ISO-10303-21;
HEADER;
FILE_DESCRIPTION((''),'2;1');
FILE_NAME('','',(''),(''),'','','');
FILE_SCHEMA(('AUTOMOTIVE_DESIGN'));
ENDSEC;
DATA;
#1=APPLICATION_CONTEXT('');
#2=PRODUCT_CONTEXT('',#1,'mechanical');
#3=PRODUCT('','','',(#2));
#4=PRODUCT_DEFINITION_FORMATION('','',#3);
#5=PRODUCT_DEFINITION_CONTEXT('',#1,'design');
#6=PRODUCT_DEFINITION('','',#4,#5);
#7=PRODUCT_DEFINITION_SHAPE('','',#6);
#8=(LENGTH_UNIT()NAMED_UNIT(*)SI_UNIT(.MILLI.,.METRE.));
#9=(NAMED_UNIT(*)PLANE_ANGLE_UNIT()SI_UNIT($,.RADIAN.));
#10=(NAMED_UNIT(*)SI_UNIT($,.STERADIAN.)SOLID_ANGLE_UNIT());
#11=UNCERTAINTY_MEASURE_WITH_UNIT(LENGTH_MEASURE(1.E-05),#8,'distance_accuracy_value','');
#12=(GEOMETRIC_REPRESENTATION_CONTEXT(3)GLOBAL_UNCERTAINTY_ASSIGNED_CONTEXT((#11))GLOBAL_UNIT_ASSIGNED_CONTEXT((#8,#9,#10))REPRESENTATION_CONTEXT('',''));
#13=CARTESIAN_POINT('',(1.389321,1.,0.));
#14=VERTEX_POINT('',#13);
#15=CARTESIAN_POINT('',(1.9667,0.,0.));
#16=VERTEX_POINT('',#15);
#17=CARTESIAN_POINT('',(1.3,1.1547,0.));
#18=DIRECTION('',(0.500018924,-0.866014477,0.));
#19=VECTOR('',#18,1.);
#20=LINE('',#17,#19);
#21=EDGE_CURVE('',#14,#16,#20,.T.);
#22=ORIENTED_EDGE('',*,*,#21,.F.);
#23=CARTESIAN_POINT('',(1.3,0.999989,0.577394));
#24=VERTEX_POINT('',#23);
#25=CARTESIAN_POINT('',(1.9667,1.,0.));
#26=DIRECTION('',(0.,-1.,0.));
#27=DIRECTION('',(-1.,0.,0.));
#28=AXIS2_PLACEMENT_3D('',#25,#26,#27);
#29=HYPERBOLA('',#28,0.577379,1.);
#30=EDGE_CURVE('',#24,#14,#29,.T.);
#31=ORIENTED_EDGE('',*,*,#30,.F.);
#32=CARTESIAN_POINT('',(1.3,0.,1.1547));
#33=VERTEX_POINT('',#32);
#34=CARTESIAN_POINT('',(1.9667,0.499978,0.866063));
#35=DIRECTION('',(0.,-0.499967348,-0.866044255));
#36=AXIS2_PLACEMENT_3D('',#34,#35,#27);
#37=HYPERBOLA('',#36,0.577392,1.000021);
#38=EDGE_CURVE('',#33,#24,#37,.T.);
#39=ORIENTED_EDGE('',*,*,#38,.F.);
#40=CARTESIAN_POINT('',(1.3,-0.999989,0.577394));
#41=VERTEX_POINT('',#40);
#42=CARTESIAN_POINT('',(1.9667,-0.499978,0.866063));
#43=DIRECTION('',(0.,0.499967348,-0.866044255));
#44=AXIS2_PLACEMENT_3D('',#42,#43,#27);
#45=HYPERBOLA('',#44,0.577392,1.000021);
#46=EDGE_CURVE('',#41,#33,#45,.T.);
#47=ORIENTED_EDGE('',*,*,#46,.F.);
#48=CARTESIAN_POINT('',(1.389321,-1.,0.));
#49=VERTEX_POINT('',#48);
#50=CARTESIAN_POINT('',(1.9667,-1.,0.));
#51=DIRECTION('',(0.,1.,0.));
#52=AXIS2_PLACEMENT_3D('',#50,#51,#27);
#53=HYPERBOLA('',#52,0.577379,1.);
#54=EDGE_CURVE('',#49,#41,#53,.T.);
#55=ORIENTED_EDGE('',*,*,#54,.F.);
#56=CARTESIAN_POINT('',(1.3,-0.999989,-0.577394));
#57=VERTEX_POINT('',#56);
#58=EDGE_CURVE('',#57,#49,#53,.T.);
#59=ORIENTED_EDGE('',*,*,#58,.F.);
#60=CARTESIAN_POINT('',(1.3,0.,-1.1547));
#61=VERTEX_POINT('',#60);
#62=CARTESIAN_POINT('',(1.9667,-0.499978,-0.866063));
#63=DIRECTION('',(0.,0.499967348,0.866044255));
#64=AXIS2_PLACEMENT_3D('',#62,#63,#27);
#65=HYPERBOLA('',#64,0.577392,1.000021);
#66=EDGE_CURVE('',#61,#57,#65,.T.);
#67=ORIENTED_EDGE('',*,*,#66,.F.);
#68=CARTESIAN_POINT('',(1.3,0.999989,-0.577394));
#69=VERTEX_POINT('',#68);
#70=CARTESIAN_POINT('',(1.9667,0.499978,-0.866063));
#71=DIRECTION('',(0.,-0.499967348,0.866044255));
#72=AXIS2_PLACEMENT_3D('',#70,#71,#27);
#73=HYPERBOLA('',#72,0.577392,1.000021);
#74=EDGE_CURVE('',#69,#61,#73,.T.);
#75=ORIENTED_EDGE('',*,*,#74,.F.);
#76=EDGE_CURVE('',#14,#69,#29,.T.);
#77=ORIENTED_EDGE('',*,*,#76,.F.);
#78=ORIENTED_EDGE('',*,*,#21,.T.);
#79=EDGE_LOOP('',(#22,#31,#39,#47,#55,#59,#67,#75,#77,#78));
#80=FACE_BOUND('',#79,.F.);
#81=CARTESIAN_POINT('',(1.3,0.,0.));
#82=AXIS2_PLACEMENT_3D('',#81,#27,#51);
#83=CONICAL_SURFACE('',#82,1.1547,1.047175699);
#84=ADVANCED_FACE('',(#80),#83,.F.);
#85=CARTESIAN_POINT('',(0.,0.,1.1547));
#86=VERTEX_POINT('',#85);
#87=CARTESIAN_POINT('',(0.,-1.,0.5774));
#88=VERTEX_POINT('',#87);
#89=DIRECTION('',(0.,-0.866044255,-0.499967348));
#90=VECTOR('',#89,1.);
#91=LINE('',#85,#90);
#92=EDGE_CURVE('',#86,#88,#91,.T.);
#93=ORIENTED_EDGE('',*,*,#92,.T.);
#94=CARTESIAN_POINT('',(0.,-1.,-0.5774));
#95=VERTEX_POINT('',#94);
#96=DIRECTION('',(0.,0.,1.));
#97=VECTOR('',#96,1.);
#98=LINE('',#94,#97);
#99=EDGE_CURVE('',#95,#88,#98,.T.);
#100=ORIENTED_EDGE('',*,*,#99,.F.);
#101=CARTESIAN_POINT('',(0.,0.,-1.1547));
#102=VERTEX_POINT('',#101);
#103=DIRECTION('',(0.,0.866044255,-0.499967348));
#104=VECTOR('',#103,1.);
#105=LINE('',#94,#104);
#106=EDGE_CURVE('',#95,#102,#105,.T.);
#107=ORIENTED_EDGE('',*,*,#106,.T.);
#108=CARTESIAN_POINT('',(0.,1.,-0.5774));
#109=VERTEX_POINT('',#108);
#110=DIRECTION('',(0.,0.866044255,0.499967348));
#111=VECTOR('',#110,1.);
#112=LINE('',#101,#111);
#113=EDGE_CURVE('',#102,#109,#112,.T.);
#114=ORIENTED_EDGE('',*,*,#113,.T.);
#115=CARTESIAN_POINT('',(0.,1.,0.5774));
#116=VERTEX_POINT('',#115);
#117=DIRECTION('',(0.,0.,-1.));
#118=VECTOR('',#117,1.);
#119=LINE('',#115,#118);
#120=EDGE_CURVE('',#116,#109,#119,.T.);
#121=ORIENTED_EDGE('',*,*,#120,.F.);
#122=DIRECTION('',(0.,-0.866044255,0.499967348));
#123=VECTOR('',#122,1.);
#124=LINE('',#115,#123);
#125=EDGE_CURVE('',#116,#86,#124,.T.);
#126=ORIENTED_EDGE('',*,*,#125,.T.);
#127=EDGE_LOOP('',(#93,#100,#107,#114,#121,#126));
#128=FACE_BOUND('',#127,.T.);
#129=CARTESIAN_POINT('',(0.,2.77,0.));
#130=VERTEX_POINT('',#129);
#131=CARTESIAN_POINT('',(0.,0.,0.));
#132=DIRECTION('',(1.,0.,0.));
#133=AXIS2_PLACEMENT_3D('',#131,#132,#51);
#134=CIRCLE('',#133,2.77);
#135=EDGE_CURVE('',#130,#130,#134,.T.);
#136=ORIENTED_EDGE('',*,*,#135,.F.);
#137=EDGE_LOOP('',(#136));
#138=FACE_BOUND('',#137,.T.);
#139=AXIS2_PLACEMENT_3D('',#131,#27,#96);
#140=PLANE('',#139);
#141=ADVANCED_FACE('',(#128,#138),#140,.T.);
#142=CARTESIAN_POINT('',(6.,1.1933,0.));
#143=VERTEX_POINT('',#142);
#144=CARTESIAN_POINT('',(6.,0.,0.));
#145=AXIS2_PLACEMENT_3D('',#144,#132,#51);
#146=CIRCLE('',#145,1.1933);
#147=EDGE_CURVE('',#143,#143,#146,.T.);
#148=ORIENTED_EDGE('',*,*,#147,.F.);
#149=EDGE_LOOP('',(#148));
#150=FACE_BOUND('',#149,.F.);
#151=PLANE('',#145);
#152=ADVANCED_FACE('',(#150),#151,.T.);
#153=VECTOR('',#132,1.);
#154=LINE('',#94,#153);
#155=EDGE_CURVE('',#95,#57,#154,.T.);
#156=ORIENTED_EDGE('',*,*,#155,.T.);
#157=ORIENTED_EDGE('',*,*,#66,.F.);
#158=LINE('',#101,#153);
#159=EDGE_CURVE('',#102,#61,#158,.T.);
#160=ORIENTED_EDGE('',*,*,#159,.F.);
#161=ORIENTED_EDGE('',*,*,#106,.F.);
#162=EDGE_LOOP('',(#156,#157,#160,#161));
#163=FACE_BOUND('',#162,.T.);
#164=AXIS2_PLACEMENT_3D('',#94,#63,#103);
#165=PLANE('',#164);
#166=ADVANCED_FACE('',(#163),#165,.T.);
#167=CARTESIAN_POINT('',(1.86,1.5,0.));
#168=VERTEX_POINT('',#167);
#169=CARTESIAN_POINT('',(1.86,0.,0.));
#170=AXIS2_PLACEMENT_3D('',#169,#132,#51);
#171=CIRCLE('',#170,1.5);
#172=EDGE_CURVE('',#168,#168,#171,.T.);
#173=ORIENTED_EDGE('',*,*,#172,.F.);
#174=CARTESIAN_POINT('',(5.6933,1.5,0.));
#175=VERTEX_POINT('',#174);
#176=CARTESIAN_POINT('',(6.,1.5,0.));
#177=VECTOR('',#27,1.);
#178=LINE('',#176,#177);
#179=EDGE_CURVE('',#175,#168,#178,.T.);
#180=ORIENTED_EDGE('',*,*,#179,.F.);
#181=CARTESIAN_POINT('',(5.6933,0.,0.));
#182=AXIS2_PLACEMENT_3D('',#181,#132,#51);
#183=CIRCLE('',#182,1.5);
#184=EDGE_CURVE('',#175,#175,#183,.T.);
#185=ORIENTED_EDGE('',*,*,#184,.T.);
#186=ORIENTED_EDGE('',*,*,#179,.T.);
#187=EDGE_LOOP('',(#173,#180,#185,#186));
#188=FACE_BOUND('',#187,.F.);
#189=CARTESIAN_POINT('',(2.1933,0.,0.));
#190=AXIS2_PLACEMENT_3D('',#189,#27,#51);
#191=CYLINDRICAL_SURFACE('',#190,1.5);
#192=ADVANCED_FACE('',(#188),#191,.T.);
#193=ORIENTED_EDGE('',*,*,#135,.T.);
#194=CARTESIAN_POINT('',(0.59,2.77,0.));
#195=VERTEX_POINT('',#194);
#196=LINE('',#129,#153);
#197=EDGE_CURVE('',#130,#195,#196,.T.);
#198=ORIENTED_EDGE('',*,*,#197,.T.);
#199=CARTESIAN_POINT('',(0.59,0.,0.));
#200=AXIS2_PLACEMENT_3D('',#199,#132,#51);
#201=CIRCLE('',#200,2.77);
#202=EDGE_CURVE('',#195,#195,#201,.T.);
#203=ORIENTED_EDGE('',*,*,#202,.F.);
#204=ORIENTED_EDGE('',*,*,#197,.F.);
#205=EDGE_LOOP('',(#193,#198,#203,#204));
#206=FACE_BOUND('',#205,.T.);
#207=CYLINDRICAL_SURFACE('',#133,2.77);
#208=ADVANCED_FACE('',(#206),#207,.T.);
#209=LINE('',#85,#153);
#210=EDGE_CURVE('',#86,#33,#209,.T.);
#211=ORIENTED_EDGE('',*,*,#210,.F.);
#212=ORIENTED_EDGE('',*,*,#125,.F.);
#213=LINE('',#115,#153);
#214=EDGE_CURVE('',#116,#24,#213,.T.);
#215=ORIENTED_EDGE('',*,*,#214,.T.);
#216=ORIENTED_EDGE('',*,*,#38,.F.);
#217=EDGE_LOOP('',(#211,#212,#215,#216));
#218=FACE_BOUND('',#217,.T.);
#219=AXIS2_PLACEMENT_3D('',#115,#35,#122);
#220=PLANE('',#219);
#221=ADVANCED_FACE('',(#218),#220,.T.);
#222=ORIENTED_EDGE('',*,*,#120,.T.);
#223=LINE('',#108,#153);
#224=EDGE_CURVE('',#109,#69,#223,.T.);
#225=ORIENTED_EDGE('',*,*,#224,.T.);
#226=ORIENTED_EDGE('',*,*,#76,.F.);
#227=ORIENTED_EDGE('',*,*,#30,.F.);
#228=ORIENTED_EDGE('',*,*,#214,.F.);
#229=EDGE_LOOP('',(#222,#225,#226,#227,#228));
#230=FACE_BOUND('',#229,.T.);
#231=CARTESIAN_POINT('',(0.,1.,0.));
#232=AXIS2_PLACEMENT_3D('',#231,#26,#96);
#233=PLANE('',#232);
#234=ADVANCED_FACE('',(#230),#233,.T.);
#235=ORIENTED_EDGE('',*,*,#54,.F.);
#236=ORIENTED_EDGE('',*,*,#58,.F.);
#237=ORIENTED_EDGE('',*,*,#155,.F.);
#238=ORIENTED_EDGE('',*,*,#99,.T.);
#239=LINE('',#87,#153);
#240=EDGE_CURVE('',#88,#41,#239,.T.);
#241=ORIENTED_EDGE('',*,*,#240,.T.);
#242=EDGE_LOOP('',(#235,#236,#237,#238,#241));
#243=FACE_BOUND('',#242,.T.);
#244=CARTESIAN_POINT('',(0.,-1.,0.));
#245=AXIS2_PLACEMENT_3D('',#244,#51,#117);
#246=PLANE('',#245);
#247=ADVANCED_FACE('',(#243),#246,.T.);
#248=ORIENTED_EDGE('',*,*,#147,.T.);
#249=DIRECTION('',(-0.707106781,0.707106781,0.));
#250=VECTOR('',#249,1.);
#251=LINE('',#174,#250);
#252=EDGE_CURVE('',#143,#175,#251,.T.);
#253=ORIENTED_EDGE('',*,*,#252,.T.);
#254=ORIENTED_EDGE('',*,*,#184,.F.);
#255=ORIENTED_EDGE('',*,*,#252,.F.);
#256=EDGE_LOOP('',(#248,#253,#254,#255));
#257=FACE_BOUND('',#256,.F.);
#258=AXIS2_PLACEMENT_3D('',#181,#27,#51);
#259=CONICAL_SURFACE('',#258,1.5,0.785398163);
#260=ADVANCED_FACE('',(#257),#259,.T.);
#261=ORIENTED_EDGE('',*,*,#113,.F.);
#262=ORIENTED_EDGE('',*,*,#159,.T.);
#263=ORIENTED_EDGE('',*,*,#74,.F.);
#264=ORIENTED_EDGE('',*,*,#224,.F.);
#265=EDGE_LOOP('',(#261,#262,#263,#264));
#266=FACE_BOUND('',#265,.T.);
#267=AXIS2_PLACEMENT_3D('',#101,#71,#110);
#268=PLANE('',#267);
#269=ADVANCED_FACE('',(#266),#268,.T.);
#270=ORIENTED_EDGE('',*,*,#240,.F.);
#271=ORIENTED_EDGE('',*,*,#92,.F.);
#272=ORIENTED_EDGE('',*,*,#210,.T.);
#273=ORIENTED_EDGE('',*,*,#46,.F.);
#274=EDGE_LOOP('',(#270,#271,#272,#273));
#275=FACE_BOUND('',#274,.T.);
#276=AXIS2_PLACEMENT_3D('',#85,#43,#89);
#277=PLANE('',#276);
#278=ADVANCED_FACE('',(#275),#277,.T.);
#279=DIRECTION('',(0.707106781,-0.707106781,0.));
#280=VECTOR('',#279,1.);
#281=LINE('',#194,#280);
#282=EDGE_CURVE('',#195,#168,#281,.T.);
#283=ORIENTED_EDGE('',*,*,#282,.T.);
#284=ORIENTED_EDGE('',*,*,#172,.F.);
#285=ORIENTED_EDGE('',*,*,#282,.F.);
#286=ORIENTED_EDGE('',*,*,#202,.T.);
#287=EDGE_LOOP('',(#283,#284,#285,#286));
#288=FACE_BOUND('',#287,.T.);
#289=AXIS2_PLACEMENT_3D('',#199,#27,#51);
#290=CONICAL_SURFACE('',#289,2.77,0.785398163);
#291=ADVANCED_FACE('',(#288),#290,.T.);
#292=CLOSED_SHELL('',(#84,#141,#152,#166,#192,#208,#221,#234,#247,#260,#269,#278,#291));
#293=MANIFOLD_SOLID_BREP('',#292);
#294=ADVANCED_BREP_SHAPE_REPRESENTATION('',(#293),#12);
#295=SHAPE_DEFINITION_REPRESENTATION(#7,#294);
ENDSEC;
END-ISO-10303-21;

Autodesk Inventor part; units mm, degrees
ref_plane "YZ Plane" through (0, 0, 0) normal (1, 0, 0) x (0, 1, 0)
ref_plane "XZ Plane" through (0, 0, 0) normal (0, 1, 0) x (-1, 0, 0)
sketch "Skizze1" plane through (0, 0, 0) normal (0, 0, 1) x (1, 0, 0)
  line L0 (6, 0) -> (6, 1.5)
  line L1 (6, 1.5) -> (2.5, 1.5)
  line L2 (2.5, 1.5) -> (2.1933, 1.5)
  line L3 (0, 2.77) -> (0, 1.1547)
  line L4 (0, 1.1547) -> (1.3, 1.1547)
  line L5 (1.3, 1.1547) -> (1.9667, 0)
  line L6 (1.9667, 0) -> (6, 0)
  line L7 (0, 2.77) -> (0.59, 2.77)
  line L8 (0.59, 2.77) -> (1.86, 1.5)
  line L9 (2.1933, 1.5) -> (1.86, 1.5)
  line L10 (2.5, 1.5) -> (1.86, 1.5) construction
  line L11 (1.86, 1.5) -> (1.86, 1.5)
  line L12 (-1.2, 0) -> (7.2, 0) projected
  line L13 (0, -0.554) -> (0, 3.324) projected
  dimension "d0" = 6
  dimension "d1" = 3.5
  dimension "d2" = 1.3
  dimension "d3" = 3
  dimension "d6" = 1.86
  dimension "d7" = 45
  dimension "d8" = 2.3094
  dimension "d9" = 60
  dimension "d10" = 5.54
  dimension "d11" = 3
  dimension "d12" = 0.3067
revolve "Körper" add sketch "Skizze1" angle 360 about axis through (1.9667, 0, 0) along (1, 0, 0) contours L6 L5 L4 L3 L7 L8 L9 L2 L1 L0
sketch "Skizze2" plane through (0, 0, 0) normal (-1, 0, 0) x (0, 0, 1)
  circle A0 centre (0, 0) radius 1.1547 projected
  line L0 (0, -3.878) -> (0, 3.878) projected
  line L1 (-3.878, 0) -> (3.878, 0) projected
  line L2 (1.1547, 0) -> (0.5774, -1)
  line L3 (0.5774, -1) -> (-0.5774, -1)
  line L4 (-0.5774, -1) -> (-1.1547, 0)
  line L5 (-1.1547, 0) -> (-0.5774, 1)
  line L6 (-0.5774, 1) -> (0.5774, 1)
  line L7 (0.5774, 1) -> (1.1547, 0)
  point P0 (0, 1.1547)
extrude "Loch" add sketch "Skizze2" against normal up to next contours L7 A0 | A0 L2 | L6 L0 A0 | A0 L0 L3 | L0 L6 A0 | A0 L3 L0 | L4 A0 | A0 L5
thread "Gewinde" size "M3x0.5" class "6g" standard "ISO Metric profile" length 4
chamfer "Fase1" distance 0.3067 distance2 0.3067 1 edges at (6, -1.5, 0) measured on face at (6, -0.3743, -0.4914)
ref_plane "Work Plane1" through (104.775, 0, 0) normal (0, 0, -1) x (1, 0, 0)
equation "\"d15\" = GEL"
equation "\"d17\" = -0.5 * SPD + 0.5 * GD"
equation "\"d18\" = GUL"
equation "\"d2\" = INTI"
equation "\"d3\" = GD"
equation "\"d6\" = KOH"
equation "\"d7\" = 0.5 * SEWI"
equation "\"d8\" = 1.1547 * SW"
equation "\"d10\" = KOD"
equation "\"d11\" = BDM"
equation "\"d12\" = GAL"
equation "\"NLG\" = 8"
equation "\"INTI\" = 1.3"
equation "\"GEL\" = 4"
equation "\"GAL\" = 0.61345 * PTC"
equation "\"KOH\" = 1.86"
equation "\"KOD\" = 5.54"
equation "\"GUL\" = 0.61345 * PTC"
equation "\"SPD\" = NND - 1.2269 * PTC"
equation "\"BDM\" = NND"
equation "\"GD\" = NND"
equation "\"SEWI\" = 90deg"
equation "\"SW\" = 2"
equation "\"TOA\" = 30deg"
equation "\"GD1\" = THREADDIA - 1.2269 * PTC"
equation "\"EPV\" = 3.36"
equation "\"THREADDIA\" = 3"
equation "\"PTC\" = 0.5"
equation "\"NND\" = 3"
equation "\"E0\" = 2.31"
equation "\"THREADDESC\" = 1.2345"
properties part number "ISO 10642 - M3 x  8" material "Stahl"
